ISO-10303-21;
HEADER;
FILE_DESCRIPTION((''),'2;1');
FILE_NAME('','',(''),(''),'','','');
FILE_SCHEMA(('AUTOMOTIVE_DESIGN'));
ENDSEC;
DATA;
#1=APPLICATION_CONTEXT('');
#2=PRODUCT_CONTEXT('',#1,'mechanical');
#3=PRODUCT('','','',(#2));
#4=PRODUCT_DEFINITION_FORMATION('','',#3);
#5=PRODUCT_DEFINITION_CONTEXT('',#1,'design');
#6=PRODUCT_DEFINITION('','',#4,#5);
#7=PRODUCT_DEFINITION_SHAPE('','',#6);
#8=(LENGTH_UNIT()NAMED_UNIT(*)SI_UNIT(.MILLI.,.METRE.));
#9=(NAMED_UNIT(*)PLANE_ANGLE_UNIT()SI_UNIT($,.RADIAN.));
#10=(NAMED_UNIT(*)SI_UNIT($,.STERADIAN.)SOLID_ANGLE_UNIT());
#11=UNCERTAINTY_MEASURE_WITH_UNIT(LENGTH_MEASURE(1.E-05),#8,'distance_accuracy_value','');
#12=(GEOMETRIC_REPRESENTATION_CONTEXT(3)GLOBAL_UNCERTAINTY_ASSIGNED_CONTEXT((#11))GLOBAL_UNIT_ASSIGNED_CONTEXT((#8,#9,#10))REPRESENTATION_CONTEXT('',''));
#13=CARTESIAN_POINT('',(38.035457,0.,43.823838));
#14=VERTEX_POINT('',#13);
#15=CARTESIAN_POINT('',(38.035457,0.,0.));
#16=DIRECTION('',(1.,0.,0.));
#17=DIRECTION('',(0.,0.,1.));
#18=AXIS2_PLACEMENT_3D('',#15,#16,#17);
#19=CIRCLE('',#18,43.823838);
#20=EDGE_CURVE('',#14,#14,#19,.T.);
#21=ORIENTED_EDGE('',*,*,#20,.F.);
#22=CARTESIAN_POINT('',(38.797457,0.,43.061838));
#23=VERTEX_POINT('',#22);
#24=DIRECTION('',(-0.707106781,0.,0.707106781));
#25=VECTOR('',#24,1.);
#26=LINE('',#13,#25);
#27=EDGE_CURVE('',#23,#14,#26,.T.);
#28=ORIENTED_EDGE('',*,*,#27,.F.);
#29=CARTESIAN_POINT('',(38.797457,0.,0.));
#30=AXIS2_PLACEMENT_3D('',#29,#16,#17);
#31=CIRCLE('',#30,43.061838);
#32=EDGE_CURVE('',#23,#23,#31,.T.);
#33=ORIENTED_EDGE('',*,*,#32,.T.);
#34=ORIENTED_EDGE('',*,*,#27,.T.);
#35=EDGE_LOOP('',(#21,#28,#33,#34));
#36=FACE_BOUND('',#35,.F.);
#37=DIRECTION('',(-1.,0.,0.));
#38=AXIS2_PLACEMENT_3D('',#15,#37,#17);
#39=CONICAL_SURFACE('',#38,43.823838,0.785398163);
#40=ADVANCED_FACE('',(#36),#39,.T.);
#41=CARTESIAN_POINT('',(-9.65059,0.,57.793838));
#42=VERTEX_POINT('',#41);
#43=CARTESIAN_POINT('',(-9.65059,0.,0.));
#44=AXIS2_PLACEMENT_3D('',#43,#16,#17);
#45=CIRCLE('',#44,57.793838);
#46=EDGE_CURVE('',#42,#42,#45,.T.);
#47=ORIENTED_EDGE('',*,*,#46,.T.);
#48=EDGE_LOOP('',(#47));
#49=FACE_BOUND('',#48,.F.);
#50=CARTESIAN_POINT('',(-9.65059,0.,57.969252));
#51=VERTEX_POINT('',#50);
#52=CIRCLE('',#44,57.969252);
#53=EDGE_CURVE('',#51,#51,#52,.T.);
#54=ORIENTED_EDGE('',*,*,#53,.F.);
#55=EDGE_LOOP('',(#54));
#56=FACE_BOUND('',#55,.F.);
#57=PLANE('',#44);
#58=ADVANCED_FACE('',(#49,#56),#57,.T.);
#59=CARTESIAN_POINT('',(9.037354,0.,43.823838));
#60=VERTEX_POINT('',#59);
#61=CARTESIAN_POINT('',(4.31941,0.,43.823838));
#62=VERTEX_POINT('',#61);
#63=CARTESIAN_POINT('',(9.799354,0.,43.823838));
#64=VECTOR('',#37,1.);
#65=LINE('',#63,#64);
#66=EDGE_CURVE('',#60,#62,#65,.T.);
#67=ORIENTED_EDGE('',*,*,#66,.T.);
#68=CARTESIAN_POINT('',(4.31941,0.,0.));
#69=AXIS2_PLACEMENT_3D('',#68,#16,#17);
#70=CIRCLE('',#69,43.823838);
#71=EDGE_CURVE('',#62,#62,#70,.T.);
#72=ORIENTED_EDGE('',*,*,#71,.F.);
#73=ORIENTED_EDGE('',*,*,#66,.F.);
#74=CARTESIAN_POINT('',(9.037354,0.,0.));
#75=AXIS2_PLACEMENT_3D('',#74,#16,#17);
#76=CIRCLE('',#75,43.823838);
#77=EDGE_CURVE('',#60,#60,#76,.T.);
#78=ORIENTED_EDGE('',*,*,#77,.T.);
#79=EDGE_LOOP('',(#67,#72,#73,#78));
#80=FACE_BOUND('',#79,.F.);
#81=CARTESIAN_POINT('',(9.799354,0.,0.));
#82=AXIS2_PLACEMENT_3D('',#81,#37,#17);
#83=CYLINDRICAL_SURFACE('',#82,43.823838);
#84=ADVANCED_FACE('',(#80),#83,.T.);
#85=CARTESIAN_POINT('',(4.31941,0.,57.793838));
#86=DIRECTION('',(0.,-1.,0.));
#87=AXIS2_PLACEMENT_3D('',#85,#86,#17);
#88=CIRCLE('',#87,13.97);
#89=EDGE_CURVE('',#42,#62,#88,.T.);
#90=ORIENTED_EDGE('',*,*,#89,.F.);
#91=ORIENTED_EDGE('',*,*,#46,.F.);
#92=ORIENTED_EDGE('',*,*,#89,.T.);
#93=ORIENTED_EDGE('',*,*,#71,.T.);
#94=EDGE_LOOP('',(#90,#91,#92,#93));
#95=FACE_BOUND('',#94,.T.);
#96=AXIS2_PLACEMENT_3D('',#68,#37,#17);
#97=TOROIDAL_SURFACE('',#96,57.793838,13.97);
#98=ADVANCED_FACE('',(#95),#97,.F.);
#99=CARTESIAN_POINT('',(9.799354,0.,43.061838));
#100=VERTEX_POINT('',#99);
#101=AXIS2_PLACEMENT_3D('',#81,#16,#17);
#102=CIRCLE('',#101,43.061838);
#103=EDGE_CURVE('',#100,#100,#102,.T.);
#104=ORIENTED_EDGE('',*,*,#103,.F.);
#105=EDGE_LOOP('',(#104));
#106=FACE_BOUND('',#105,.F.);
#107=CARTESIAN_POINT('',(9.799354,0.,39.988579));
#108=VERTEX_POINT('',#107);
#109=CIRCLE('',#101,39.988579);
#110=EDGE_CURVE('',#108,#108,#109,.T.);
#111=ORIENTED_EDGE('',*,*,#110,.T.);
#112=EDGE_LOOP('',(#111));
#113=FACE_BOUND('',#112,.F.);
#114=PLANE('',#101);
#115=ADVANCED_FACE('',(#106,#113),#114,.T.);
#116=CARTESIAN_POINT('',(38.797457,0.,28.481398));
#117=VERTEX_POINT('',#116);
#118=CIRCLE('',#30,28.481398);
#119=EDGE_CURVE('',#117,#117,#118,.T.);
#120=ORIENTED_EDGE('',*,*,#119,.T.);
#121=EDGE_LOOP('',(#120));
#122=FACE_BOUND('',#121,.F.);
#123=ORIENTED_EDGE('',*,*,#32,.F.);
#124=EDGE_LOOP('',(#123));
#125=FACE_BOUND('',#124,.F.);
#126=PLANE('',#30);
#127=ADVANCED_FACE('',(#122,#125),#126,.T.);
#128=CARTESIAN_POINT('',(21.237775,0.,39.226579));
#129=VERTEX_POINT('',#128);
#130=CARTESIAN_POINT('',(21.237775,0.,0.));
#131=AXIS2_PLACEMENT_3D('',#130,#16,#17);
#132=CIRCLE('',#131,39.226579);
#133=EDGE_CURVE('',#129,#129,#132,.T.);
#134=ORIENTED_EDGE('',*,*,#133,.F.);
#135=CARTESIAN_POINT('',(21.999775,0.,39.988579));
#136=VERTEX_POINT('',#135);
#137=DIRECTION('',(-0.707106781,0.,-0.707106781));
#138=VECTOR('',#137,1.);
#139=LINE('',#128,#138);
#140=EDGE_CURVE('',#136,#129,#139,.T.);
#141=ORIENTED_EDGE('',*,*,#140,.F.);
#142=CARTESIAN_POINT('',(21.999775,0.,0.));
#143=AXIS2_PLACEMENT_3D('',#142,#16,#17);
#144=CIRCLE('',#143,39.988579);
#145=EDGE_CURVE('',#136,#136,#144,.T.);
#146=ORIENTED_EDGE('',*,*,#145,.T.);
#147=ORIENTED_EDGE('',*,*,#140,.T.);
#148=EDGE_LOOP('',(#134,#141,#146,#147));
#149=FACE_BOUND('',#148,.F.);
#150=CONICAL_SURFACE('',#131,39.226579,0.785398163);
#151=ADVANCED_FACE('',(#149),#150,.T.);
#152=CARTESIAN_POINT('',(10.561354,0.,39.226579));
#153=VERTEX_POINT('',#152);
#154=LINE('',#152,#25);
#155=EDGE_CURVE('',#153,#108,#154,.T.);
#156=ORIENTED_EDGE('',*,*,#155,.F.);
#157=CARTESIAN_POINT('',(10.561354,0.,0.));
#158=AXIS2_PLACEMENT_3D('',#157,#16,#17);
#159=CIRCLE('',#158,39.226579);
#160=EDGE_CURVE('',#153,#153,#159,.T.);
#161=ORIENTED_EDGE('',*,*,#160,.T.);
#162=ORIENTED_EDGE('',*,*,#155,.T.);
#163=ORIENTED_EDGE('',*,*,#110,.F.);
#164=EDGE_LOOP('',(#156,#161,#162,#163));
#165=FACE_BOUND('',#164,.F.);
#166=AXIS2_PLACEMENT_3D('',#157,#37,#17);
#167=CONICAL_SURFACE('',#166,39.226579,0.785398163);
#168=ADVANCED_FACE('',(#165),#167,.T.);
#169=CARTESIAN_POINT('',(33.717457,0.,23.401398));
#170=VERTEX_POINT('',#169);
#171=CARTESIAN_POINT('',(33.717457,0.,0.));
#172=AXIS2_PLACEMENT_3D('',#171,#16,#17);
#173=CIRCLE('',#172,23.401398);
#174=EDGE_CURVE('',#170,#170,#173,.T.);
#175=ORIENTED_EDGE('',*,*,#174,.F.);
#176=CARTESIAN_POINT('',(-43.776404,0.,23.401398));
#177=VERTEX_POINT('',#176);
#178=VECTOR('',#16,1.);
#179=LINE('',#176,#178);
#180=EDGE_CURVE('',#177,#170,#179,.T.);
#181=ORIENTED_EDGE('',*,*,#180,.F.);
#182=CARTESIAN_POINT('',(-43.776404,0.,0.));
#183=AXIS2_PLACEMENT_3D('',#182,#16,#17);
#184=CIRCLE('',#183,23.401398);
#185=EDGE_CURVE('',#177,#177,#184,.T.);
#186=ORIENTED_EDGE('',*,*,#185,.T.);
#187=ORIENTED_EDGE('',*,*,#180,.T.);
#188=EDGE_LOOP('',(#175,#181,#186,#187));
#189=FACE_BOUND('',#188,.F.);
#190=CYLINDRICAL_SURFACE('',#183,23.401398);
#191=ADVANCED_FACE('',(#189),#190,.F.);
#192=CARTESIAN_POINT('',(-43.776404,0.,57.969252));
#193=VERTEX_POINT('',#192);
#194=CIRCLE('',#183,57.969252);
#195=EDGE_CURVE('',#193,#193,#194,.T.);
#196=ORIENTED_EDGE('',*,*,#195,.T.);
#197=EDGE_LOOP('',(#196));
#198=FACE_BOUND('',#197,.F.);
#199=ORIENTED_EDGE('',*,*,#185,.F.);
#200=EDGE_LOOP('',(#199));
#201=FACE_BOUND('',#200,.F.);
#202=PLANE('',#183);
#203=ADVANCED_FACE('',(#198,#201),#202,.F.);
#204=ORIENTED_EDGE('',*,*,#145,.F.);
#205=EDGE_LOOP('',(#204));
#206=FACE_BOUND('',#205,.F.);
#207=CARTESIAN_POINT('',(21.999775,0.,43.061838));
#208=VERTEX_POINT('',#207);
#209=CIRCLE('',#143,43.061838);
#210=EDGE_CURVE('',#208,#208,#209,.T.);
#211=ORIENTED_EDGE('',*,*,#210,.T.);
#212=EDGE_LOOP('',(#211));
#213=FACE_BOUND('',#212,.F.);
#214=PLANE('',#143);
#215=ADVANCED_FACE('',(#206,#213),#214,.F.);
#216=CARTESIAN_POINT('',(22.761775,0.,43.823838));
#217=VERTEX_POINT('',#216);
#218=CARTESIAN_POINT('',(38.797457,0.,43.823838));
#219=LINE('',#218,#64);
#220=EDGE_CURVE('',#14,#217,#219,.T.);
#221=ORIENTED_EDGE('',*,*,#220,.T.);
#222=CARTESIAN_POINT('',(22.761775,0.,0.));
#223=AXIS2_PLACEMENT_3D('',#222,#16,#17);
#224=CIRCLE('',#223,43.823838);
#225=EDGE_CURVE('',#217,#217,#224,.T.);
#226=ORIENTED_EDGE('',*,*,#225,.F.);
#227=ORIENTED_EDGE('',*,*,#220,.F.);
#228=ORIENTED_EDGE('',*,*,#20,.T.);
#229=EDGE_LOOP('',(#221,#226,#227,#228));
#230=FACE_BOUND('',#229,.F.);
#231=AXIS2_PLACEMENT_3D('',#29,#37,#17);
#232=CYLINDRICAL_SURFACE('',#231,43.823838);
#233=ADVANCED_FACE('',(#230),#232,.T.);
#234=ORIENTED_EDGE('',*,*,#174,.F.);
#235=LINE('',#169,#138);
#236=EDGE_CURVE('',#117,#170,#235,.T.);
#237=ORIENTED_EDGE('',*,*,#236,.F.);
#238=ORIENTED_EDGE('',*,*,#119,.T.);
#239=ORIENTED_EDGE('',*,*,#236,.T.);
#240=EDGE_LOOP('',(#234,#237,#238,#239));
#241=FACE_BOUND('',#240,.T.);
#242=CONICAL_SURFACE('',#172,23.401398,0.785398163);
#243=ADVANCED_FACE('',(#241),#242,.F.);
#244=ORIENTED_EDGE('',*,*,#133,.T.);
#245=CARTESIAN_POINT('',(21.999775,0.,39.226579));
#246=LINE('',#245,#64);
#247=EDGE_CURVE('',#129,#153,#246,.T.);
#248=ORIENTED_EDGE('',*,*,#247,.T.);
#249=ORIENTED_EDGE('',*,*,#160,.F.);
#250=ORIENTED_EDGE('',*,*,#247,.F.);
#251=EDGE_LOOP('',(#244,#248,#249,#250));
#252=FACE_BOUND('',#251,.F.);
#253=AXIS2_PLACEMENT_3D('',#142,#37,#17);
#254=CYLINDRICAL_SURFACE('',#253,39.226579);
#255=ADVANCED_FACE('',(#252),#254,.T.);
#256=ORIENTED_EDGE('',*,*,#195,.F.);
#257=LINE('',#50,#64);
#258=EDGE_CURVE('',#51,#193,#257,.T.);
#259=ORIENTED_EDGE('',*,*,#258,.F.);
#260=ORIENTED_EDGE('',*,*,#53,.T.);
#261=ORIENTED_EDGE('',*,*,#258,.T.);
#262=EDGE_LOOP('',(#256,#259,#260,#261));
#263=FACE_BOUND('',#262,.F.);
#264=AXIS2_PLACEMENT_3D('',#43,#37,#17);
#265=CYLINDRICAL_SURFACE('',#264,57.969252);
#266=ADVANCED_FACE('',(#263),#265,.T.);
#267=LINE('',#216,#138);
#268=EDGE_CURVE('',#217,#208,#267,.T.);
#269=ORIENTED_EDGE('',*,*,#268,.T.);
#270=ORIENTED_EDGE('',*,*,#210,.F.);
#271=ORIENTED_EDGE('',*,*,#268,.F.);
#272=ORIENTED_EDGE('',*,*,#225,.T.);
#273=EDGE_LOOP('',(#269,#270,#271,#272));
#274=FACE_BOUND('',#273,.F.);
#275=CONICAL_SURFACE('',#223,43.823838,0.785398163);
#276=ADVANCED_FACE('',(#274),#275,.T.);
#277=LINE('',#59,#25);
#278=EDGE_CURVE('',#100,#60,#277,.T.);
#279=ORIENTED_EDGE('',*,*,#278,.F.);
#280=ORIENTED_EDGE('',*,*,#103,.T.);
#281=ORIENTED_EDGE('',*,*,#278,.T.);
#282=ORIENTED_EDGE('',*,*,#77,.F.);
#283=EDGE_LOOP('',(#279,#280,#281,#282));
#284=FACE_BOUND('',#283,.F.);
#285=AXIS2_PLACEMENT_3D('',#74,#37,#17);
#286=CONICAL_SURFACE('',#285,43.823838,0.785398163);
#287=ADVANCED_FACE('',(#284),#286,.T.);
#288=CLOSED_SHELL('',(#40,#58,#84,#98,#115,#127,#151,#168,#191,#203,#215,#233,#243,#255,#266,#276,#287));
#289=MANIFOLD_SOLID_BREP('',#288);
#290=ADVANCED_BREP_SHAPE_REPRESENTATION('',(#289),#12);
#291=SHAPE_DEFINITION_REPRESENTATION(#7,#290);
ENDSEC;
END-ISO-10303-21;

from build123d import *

# Parameters (mm, degrees)
F2_SIZE = 0.762
F3_SIZE = 5.08
F4_R    = 13.97


with BuildPart() as f1:
    # F0 (on Front) → F1 (revolve)
    with BuildSketch(Plane.XZ):
        Polygon((-9.65059, 57.969252), (-43.776404, 57.969252), (-43.776404, 23.401398), (38.797457, 23.401398), (38.797457, 43.823838), (21.999775, 43.823838), (21.999775, 39.226579), (9.799354, 39.226579), (9.799354, 43.823838), (-9.65059, 43.823838), align=None)
    revolve(axis=Axis((-2.489474, 0, 0), (1, 0, 0)))

    # F2
    f2_edges = [f1.edges().sort_by_distance(p)[0] for p in [
        (38.797457, 0, -43.823838),
        (21.999775, 0, -43.823838),
        (9.799354, 0, -43.823838),
        (9.799354, 0, -39.226579),
        (21.999775, 0, -39.226579),
    ]]
    chamfer(f2_edges, length=F2_SIZE)

    # F3
    f3_edges = [f1.edges().sort_by_distance(p)[0] for p in [
        (38.797457, 0, -23.401398),
    ]]
    chamfer(f3_edges, length=F3_SIZE)

    # F4
    f4_edges = [f1.edges().sort_by_distance(p)[0] for p in [
        (-9.65059, 0, -43.823838),
    ]]
    fillet(f4_edges, radius=F4_R)


solid = f1.part
